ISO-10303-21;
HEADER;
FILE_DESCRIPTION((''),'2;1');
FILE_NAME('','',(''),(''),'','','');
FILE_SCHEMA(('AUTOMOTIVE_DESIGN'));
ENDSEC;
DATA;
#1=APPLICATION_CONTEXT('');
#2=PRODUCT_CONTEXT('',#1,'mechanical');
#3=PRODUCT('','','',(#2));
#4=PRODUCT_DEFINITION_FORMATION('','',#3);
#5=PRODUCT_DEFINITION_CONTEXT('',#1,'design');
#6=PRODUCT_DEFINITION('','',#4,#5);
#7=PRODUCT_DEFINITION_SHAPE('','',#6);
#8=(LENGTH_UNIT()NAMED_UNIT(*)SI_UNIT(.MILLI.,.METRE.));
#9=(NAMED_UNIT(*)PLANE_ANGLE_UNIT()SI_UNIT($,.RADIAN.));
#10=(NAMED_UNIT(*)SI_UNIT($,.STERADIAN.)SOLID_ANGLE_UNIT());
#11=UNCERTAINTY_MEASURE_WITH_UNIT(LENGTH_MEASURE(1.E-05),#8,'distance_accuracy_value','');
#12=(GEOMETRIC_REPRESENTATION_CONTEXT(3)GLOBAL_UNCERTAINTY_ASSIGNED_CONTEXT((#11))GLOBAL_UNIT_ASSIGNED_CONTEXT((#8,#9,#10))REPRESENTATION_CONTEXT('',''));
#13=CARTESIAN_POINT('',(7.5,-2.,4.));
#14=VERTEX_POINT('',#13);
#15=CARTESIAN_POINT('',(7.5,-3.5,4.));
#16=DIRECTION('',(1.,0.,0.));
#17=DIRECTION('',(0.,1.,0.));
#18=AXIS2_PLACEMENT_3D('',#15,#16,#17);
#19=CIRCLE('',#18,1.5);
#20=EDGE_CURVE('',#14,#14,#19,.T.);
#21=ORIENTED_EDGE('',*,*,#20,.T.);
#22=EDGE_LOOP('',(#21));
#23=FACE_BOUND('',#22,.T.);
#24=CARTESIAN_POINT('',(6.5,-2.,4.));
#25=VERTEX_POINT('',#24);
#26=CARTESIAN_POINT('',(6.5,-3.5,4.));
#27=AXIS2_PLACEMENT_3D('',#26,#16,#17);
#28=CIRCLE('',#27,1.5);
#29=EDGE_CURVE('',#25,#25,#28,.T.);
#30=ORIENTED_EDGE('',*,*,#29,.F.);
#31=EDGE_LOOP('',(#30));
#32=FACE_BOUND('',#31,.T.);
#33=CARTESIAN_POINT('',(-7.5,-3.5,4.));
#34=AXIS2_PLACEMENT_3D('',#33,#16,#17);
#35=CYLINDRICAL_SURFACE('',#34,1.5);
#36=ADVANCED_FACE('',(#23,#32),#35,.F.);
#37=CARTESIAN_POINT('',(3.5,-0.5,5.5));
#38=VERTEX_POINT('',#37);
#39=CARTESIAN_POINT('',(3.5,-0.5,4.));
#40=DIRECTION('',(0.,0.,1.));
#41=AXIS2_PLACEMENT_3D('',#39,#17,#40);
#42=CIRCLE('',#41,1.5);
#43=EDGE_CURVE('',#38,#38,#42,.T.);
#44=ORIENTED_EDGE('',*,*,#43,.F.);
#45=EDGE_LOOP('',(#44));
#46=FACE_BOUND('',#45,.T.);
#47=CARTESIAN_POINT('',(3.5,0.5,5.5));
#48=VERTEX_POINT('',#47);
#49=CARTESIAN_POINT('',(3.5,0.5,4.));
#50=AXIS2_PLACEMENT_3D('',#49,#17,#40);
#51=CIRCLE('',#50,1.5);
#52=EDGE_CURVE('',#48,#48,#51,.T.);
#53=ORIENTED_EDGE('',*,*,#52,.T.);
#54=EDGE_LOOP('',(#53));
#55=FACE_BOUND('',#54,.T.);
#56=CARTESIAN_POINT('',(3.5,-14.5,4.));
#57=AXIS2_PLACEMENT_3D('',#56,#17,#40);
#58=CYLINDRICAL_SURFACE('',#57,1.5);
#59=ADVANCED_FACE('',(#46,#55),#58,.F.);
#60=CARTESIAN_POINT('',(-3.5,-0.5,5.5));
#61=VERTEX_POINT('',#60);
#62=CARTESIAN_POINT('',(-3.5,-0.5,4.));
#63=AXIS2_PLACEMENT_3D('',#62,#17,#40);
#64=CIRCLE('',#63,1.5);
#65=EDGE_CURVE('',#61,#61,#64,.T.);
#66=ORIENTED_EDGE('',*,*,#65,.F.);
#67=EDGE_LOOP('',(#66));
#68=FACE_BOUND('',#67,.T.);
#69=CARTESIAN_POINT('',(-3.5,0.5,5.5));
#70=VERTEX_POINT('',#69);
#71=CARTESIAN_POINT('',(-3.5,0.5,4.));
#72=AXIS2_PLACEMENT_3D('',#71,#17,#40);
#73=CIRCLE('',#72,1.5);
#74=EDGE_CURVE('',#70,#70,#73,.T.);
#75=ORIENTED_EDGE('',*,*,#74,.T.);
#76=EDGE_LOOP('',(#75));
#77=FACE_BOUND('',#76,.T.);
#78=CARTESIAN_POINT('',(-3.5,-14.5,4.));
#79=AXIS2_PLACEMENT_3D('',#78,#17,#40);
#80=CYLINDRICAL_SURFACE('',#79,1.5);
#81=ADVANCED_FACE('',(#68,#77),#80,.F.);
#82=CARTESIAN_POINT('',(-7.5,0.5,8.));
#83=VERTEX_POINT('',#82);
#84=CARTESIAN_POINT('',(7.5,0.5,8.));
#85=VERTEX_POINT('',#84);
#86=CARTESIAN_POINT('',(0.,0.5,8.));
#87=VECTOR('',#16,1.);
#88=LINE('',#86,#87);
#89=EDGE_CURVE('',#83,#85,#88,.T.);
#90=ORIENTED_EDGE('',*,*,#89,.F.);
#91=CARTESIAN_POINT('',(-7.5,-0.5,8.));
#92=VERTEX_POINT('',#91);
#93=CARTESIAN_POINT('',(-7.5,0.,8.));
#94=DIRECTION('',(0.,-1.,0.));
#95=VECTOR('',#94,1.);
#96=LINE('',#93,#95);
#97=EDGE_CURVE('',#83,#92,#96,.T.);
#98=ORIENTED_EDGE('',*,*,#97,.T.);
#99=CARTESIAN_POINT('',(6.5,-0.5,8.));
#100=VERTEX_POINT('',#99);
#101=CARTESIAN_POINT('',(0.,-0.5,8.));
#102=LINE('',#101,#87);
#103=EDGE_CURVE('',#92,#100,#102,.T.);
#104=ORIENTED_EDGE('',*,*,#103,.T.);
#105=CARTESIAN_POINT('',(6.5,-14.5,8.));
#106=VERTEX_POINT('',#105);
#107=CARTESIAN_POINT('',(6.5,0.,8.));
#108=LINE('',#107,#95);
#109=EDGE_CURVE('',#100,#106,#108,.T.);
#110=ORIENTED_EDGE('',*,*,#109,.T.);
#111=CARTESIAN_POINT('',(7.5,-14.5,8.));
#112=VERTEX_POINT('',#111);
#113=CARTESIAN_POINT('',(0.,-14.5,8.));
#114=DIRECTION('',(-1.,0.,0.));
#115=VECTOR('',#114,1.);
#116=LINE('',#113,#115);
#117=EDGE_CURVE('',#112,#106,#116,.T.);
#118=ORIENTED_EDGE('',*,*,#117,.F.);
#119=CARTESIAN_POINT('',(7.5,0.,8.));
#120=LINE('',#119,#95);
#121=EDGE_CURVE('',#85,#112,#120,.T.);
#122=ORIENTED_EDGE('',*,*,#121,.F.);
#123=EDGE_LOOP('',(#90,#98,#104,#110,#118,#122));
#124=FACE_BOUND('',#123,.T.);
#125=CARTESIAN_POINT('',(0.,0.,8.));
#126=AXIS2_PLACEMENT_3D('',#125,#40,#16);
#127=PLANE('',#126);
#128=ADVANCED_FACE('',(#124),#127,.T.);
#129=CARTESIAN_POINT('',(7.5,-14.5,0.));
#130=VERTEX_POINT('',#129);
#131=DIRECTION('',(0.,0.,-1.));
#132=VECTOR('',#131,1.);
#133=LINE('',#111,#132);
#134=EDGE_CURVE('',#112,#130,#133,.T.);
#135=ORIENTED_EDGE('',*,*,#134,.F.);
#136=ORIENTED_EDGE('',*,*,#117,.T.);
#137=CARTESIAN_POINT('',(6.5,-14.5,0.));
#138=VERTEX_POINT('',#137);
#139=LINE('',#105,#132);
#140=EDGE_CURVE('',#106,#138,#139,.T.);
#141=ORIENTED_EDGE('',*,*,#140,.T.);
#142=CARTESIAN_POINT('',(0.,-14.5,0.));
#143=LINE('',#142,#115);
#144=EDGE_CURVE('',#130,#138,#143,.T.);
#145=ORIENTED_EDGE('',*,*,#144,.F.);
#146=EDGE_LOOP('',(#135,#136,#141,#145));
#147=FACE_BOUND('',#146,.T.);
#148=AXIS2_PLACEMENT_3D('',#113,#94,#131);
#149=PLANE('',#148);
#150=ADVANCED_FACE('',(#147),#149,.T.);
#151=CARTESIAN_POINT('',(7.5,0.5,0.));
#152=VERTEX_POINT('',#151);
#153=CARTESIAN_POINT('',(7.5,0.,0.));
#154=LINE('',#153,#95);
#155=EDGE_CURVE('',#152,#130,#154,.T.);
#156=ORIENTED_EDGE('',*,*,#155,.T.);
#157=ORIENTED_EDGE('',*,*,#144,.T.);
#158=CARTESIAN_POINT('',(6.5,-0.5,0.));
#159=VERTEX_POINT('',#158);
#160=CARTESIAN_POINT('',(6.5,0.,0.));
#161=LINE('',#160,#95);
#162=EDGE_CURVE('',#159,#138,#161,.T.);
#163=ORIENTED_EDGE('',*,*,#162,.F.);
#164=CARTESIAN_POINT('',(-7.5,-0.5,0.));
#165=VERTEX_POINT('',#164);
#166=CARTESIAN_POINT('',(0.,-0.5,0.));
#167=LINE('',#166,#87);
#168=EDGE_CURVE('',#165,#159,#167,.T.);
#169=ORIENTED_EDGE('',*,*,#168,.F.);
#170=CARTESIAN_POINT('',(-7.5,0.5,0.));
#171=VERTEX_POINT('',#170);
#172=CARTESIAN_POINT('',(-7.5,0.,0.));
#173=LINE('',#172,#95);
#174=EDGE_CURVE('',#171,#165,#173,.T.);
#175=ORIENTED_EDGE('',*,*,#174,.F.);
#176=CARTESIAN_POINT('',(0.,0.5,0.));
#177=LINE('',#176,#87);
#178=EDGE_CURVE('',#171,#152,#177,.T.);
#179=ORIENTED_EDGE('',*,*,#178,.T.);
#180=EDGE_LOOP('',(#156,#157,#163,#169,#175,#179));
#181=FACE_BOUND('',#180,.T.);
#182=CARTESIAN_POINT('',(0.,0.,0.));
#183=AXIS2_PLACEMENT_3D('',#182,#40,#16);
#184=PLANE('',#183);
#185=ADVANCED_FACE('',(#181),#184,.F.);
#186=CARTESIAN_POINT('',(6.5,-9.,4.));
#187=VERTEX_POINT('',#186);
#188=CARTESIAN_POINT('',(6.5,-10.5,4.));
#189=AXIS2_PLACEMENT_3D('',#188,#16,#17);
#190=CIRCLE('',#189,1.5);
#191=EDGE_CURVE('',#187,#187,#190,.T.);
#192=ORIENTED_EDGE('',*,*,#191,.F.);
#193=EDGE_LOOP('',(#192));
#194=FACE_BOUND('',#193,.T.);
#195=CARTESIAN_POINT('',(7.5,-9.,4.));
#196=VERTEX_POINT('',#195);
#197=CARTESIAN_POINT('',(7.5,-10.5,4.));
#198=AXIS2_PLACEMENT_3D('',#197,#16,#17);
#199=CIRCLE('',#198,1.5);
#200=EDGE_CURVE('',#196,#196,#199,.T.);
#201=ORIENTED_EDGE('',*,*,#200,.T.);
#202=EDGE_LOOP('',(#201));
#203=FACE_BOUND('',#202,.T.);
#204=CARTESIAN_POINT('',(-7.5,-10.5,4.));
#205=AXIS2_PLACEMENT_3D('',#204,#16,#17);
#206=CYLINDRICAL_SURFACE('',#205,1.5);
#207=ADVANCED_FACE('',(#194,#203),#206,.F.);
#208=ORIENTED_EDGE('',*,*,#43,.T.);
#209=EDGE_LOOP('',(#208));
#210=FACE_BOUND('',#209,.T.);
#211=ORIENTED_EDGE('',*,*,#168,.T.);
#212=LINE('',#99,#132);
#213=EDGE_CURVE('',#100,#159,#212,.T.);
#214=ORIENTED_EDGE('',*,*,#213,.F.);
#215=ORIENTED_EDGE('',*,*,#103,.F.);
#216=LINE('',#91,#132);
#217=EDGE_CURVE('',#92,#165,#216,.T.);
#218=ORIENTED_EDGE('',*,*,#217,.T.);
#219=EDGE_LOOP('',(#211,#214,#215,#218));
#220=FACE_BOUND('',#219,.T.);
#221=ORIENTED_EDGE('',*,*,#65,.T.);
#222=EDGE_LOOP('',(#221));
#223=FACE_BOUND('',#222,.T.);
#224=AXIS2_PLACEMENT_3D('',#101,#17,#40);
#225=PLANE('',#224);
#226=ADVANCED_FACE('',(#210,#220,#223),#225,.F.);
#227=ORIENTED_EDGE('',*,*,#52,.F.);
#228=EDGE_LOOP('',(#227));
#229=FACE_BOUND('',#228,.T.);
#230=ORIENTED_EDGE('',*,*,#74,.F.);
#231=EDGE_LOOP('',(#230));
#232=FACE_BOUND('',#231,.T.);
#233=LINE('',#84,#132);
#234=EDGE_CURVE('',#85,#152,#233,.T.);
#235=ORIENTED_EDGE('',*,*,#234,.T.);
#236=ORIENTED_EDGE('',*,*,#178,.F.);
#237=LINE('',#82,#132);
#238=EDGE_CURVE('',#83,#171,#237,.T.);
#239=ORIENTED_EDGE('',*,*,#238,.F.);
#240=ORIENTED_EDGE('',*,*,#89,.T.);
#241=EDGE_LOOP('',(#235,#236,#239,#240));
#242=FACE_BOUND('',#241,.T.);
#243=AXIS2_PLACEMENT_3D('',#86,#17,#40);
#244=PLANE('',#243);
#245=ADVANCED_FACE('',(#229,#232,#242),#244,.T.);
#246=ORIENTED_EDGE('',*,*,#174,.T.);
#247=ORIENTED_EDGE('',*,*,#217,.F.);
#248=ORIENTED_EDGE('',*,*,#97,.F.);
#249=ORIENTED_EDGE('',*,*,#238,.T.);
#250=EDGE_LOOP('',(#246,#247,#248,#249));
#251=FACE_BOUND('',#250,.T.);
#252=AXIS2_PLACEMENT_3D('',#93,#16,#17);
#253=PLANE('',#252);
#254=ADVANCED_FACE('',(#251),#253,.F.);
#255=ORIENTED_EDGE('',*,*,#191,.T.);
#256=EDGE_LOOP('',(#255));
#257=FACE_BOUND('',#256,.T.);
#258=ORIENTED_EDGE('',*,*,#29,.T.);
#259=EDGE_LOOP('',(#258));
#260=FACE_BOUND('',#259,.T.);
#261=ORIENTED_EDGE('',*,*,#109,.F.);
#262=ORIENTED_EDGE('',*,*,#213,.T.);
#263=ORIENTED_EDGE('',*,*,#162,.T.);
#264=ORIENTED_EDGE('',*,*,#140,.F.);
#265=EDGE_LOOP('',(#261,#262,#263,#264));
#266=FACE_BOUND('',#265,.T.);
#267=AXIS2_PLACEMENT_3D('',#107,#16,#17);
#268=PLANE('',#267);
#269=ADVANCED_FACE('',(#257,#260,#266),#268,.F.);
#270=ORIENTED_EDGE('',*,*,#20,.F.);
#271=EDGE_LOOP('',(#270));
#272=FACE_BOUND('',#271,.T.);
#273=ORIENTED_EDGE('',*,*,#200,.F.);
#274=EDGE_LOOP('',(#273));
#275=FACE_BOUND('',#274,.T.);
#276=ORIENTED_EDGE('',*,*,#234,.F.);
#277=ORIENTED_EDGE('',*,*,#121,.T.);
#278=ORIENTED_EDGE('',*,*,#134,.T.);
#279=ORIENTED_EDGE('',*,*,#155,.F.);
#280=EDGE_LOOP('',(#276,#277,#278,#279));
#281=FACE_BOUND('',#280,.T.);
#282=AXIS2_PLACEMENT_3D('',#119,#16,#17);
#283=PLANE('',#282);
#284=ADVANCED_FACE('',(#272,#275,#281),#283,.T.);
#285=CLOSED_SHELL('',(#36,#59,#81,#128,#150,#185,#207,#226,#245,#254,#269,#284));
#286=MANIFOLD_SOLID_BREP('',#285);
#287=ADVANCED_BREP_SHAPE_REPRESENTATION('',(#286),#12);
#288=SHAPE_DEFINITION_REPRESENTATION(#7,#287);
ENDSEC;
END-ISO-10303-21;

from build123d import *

# Parameters (mm, degrees)
SKETCH1_W           = 15
SKETCH1_H           = 1
SKETCH1_W_2         = 1
SKETCH1_H_2         = 14
BOSS_EXTRUDE1_DEPTH = 8
SKETCH2_R           = 1.5
CUT_EXTRUDE1_DEPTH  = 16
SKETCH3_R           = 1.5
CUT_EXTRUDE2_DEPTH  = 16


with BuildPart() as part:
    # Sketch1 → Boss-Extrude1 (new body)
    with BuildSketch(Plane.XY):
        Rectangle(SKETCH1_W, SKETCH1_H)
        with Locations((7, -7.5)):
            Rectangle(SKETCH1_W_2, SKETCH1_H_2)
    extrude(amount=BOSS_EXTRUDE1_DEPTH)

    # Sketch2 → Cut-Extrude1 (cut, through all)
    with BuildSketch(Plane(origin=(0, 0.5, 0), x_dir=(1, 0, 0), z_dir=(0, 1, 0))):
        with Locations((-3.5, -4)):
            Circle(SKETCH2_R)
        with Locations((3.5, -4)):
            Circle(SKETCH2_R)
    extrude(amount=-CUT_EXTRUDE1_DEPTH, mode=Mode.SUBTRACT)

    # Sketch3 → Cut-Extrude2 (cut, through all)
    with BuildSketch(Plane(origin=(7.5, 0, 0), x_dir=(0, 0, -1), z_dir=(1, 0, 0))):
        with Locations((-4, -3.5)):
            Circle(SKETCH3_R)
        with Locations((-4, -10.5)):
            Circle(SKETCH3_R)
    extrude(amount=-CUT_EXTRUDE2_DEPTH, mode=Mode.SUBTRACT)


solid = part.part
